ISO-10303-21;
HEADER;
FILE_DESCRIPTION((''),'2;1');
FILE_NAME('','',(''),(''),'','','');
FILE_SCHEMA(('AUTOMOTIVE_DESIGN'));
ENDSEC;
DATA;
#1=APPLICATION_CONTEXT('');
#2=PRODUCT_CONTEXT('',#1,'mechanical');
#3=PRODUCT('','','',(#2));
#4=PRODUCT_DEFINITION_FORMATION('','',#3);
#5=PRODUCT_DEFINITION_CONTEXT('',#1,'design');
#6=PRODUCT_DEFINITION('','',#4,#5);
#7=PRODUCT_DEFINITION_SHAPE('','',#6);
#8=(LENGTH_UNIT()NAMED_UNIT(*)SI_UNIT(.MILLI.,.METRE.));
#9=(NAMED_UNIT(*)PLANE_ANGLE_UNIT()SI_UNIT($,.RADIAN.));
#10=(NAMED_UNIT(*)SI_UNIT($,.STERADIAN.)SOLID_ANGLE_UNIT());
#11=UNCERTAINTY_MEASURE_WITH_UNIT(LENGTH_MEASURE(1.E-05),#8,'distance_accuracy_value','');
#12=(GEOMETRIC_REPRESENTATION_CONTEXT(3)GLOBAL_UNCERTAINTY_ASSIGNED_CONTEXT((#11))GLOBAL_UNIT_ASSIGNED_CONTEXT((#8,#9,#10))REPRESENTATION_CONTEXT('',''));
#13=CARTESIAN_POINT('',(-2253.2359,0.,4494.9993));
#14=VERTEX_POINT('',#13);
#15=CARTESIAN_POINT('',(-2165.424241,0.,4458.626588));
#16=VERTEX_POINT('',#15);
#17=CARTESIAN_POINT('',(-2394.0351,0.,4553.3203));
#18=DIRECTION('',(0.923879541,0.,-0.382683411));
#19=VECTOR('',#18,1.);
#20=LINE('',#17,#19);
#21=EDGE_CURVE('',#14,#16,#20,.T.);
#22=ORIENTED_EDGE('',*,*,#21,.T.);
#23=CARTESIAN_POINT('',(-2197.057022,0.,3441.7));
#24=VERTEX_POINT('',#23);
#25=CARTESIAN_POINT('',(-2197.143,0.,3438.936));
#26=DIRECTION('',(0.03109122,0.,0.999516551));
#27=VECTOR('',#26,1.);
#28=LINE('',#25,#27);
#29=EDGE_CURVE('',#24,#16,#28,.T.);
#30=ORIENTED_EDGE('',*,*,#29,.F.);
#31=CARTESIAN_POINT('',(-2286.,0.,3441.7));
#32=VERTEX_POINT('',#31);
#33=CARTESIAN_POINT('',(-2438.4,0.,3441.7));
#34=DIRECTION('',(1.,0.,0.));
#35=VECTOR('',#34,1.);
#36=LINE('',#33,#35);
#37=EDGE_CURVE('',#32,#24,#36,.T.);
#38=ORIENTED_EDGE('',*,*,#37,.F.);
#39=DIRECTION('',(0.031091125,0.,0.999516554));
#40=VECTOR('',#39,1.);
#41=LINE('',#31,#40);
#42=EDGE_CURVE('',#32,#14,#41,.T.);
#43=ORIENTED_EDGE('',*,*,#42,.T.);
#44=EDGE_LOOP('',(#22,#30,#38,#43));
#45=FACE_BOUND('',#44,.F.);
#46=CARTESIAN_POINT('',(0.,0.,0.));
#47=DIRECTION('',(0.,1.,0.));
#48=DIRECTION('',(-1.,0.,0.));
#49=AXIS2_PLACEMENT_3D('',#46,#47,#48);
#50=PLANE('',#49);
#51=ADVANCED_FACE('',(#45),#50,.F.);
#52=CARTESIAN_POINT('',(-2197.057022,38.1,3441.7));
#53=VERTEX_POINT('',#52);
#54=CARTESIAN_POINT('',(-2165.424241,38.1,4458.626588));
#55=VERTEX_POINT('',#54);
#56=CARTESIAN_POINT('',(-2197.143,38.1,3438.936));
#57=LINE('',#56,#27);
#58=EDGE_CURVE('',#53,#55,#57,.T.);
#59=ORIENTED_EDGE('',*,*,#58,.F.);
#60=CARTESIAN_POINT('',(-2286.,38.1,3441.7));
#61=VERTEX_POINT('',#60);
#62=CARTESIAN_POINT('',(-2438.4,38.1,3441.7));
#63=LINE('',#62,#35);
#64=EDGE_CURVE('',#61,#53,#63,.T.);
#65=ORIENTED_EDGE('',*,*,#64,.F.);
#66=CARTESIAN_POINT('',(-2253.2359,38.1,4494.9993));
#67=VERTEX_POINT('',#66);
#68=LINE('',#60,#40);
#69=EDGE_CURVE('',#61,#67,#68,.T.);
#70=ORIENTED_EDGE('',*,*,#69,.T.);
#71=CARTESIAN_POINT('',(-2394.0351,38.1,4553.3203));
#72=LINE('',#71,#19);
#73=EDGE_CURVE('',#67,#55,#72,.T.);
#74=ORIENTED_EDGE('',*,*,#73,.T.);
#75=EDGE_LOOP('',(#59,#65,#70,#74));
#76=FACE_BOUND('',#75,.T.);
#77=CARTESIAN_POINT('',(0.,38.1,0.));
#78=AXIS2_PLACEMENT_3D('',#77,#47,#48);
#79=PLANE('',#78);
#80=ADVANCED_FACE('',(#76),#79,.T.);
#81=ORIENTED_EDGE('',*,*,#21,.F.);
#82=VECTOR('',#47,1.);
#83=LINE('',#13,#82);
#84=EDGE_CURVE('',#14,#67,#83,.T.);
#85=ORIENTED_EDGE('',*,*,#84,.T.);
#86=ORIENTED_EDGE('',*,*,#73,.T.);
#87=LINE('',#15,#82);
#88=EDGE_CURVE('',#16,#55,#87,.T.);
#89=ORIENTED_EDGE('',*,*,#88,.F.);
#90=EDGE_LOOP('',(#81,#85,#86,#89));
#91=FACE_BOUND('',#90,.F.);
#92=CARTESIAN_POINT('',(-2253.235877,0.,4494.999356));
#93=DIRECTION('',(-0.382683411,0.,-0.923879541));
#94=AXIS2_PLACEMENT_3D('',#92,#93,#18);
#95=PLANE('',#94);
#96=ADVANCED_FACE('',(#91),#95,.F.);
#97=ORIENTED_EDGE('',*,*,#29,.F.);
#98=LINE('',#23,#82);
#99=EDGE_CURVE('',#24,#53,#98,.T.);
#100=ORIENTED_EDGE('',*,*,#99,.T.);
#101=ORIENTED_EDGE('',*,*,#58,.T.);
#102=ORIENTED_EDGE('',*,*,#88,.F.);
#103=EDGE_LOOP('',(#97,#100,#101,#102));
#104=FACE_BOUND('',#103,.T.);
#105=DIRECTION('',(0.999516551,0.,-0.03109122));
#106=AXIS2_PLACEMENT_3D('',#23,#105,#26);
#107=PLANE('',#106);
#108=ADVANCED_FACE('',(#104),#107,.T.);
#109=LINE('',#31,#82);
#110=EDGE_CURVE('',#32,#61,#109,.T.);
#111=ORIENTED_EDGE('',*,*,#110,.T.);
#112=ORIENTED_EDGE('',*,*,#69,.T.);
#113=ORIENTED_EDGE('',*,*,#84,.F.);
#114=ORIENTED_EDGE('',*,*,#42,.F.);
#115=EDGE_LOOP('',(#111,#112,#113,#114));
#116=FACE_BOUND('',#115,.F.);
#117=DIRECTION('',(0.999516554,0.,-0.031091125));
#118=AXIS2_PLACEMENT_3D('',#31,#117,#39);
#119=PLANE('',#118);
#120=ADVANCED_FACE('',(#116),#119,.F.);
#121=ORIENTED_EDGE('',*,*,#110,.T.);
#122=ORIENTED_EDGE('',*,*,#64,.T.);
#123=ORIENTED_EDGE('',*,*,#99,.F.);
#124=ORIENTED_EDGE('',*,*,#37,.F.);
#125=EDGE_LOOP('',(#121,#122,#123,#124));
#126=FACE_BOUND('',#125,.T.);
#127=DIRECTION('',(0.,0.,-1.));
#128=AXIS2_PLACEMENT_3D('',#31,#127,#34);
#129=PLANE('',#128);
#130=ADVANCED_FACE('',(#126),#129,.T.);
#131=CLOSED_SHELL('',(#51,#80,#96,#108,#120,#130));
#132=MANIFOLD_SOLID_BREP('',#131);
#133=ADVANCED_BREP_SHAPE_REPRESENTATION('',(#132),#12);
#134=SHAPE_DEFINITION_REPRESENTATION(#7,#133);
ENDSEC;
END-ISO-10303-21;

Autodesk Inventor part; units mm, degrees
ref_plane "YZ Plane" through (0, 0, 0) normal (1, 0, 0) x (0, 1, 0)
ref_plane "XZ Plane" through (0, 0, 0) normal (0, 1, 0) x (-1, 0, 0)
ref_plane "XY Plane" through (0, 0, 0) normal (0, 0, 1) x (1, 0, 0)
sketch "Sketch1" plane through (0, 0, 0) normal (0, 1, 0) x (-1, 0, 0)
  line L0 (0, 0) -> (0, -1219.2)
  line L1 (0, 0) -> (88.9, 0)
  line L2 (88.9, 0) -> (88.9, -1219.2)
  line L3 (88.9, -1219.2) -> (0, -1219.2)
  line L4 (0, 0) -> (0, 1219.2) construction
  line L5 (0, 1219.2) -> (1219.2, 1219.2) construction
  line L6 (0, 1219.2) -> (0, 3657.6) construction
  line L7 (0, 3657.6) -> (0, 4876.8) construction
  line L8 (0, 4876.8) -> (0, 6096) construction
  line L9 (0, -1219.2) -> (2438.4, -1219.2) construction
  line L10 (0, 6096) -> (2438.4, 6096) construction
  line L11 (2438.4, 6096) -> (2438.4, -1219.2) construction
  line L12 (0, 3657.6) -> (0, 3352.8) construction
  line L13 (0, 3352.8) -> (2438.4, 3352.8) construction
  line L14 (2438.4, 3352.8) -> (1219.2, 3352.8)
  line L15 (1219.2, 3352.8) -> (1219.2, 3263.9)
  line L16 (1219.2, 3263.9) -> (2438.4, 3263.9)
  line L17 (2438.4, 3263.9) -> (2438.4, 3352.8)
  line L18 (0, 6096) -> (862.1046, 6958.1046)
  line L19 (862.1046, 6958.1046) -> (924.9664, 6895.2428)
  line L20 (924.9664, 6895.2428) -> (62.8618, 6033.1382)
  line L21 (62.8618, 6033.1382) -> (0, 6096)
  line L22 (0, 4876.8) -> (1219.2, 4876.8) construction
  line L23 (1219.2, 4876.8) -> (2081.3046, 5738.9046)
  line L24 (1219.2, 1219.2) -> (2081.3046, 357.0954)
  line L25 (2081.3046, 357.0954) -> (2018.4428, 294.2336)
  line L26 (2018.4428, 294.2336) -> (1156.3382, 1156.3382)
  line L27 (1156.3382, 1156.3382) -> (1219.2, 1219.2)
  line L28 (2018.4428, 294.2336) -> (88.9, -1219.2)
  line L29 (2081.3046, 357.0954) -> (2144.1664, 419.9572)
  line L30 (2144.1664, 419.9572) -> (1282.0618, 1282.0618)
  line L31 (1282.0618, 1282.0618) -> (1219.2, 1219.2)
  line L32 (2438.4, 3352.8) -> (2438.4, 3441.7)
  line L33 (2438.4, 3441.7) -> (1219.2, 3441.7)
  line L34 (1219.2, 3441.7) -> (1219.2, 3352.8)
  line L35 (1156.3382, 4939.6618) -> (1282.0618, 4813.9382)
  line L36 (2018.4428, 5801.7664) -> (2144.1664, 5676.0428)
  line L37 (1282.0618, 4813.9382) -> (2144.1664, 5676.0428)
  line L38 (2018.4428, 5801.7664) -> (1156.3382, 4939.6618)
  line L39 (2018.4428, 5801.7664) -> (924.9664, 6895.2428)
  line L40 (62.8618, 6033.1382) -> (1156.3382, 4939.6618)
  line L41 (1233.6206, 4168.8855) -> (1267.6412, 4086.7527)
  line L42 (1263.7078, 2313.9849) -> (1230.0006, 2231.7229)
  arc A0 (862.1046, 6958.1046) -> (0, 6096) centre (431.0523, 6527.0523) ccw
  line L43 (1246.8542, 2272.8539) -> (2375.0183, 1810.583)
  line L44 (2391.8719, 1851.7139) -> (2358.1646, 1769.452)
  line L45 (2391.8719, 1851.7139) -> (1263.7078, 2313.9849)
  line L46 (1230.0006, 2231.7229) -> (2358.1646, 1769.452)
  line L47 (1230.0006, 2231.7229) -> (1219.2, 3263.9)
  line L48 (2144.1664, 419.9572) -> (2391.8719, 1851.7139)
  line L49 (2391.8719, 1851.7139) -> (2438.4, 3263.9)
  line L50 (1219.2, 3441.7) -> (1233.6206, 4168.8855)
  line L51 (1250.6309, 4127.8191) -> (2377.0248, 4594.3867)
  line L52 (2360.0145, 4635.4532) -> (2394.0351, 4553.3203)
  line L53 (2394.0351, 4553.3203) -> (1267.6412, 4086.7527)
  line L54 (2360.0145, 4635.4532) -> (1233.6206, 4168.8855)
  line L55 (2394.0351, 4553.3203) -> (2144.1664, 5676.0428)
  line L56 (2438.4, 3441.7) -> (2394.0351, 4553.3203)
  line L57 (2144.1664, 5676.0428) -> (2057.3895, 5656.7301)
  line L58 (2394.0351, 4553.3203) -> (2305.2058, 4549.7751)
  line L59 (2394.0351, 4553.3203) -> (2307.2582, 4534.0076)
  line L60 (2307.2582, 4534.0076) -> (2057.3895, 5656.7301)
  line L61 (2438.4, 3441.7) -> (2349.5707, 3438.1548)
  line L62 (2349.5707, 3438.1548) -> (2305.2058, 4549.7751)
  line L63 (1219.2, 3441.7) -> (1308.0825, 3439.9374)
  line L64 (1233.6206, 4168.8855) -> (1322.5031, 4167.1229)
  line L65 (1322.5031, 4167.1229) -> (1308.0825, 3439.9374)
  line L66 (2018.4428, 5801.7664) -> (1955.581, 5738.9046)
  line L67 (1955.581, 5738.9046) -> (862.1046, 6832.381)
  line L68 (924.9664, 6895.2428) -> (862.1046, 6832.381)
  line L69 (62.8618, 6033.1382) -> (125.7236, 6096)
  line L70 (62.8618, 6033.1382) -> (125.7236, 6096)
  line L71 (125.7236, 6096) -> (1219.2, 5002.5236)
  line L72 (1156.3382, 1156.3382) -> (0, 0)
  line L73 (0, 0) -> (62.8618, -62.8618)
  line L74 (1156.3382, 1156.3382) -> (1219.2, 1093.4764)
  line L75 (1219.2, 1093.4764) -> (62.8618, -62.8618)
  line L76 (2018.4428, 294.2336) -> (1963.5776, 364.1837)
  line L77 (88.9, -1219.2) -> (34.0348, -1149.2499)
  line L78 (34.0348, -1149.2499) -> (1963.5776, 364.1837)
  line L79 (2144.1664, 419.9572) -> (2056.5677, 435.1125)
  line L80 (2391.8719, 1851.7139) -> (2304.2732, 1866.8692)
  line L81 (2391.8719, 1851.7139) -> (2303.0201, 1854.6414)
  line L82 (2304.2732, 1866.8692) -> (2056.5677, 435.1125)
  line L83 (1230.0006, 2231.7229) -> (1318.8957, 2232.6531)
  line L84 (1219.2, 3263.9) -> (1308.0951, 3264.8302)
  line L85 (1308.0951, 3264.8302) -> (1318.8957, 2232.6531)
  line L86 (2438.4, 3263.9) -> (2349.5482, 3266.8275)
  line L87 (2349.5482, 3266.8275) -> (2303.0201, 1854.6414)
  line L88 (88.9, 0) -> (125.7236, 0)
  line L89 (1233.6206, 4168.8855) -> (1219.2, 4876.8)
  line L90 (1233.6206, 4168.8855) -> (1322.5022, 4170.6961)
  line L91 (1219.2, 4876.8) -> (1308.0816, 4878.6106)
  line L92 (1308.0816, 4878.6106) -> (1322.5022, 4170.6961)
  line L93 (1282.0618, 4813.9382) -> (1309.9674, 4786.0326)
  line L94 (1267.6412, 4086.7527) -> (1318.4756, 3964.0275)
  line L95 (2360.0145, 4635.4532) -> (2374.4273, 4641.4231)
  line L96 (1230.0006, 2231.7229) -> (1219.2, 1219.2)
  line L97 (1230.0006, 2231.7229) -> (1318.8955, 2230.7747)
  line L98 (1219.2, 1219.2) -> (1308.0949, 1218.2518)
  line L99 (1308.0949, 1218.2518) -> (1318.8955, 2230.7747)
  line L100 (1282.0618, 1282.0618) -> (1309.0636, 1309.0636)
  line L101 (1263.7078, 2313.9849) -> (1316.7428, 2438.4)
  line L102 (2358.1646, 1769.452) -> (2376.5379, 1763.082)
  line L103 (2286, 3352.8) -> (1371.6, 3352.8)
  line L104 (2286, 3441.7) -> (2286, 3263.9)
  line L105 (1371.6, 3441.7) -> (1371.6, 3263.9)
  line L106 (0, -152.4) -> (0, -1066.8)
  line L107 (0, -152.4) -> (88.9, -152.4)
  line L108 (0, -1066.8) -> (88.9, -1066.8)
  line L109 (1326.9631, 1111.4369) -> (1973.5415, 464.8585)
  line L110 (2036.4033, 527.7203) -> (1910.6797, 401.9967)
  line L111 (1389.8249, 1174.2987) -> (1264.1013, 1048.5751)
  line L112 (2233.9978, 1868.3668) -> (1387.8747, 2215.07)
  line L113 (1404.7283, 2256.201) -> (1371.0211, 2173.939)
  line L114 (2250.8514, 1909.4978) -> (2217.1441, 1827.2358)
  line L115 (1371.0211, 2173.939) -> (1389.8249, 1174.2987)
  line L116 (1264.1013, 1048.5751) -> (88.9, -152.4)
  line L117 (2217.1441, 1827.2358) -> (2036.4033, 527.7203)
  line L118 (1910.6797, 401.9967) -> (88.9, -1066.8)
  line L119 (88.9, -1066.8) -> (33.1016, -997.592)
  line L120 (1910.6797, 401.9967) -> (1854.8813, 471.2047)
  line L121 (1854.8813, 471.2047) -> (33.1016, -997.592)
  line L122 (88.9, -152.4) -> (0, -243.2497)
  line L123 (0, -243.2497) -> (63.5399, -305.426)
  line L124 (1263.7078, 1048.9686) -> (1327.2477, 986.7923)
  line L125 (1327.2477, 986.7923) -> (88.9, -278.7141)
  line L126 (1389.8249, 1174.2987) -> (1392.2351, 1046.1649)
  line L127 (1392.2351, 1046.1649) -> (1481.1194, 1047.8368)
  line L128 (1371.0211, 2173.939) -> (1459.9053, 2175.611)
  line L129 (1459.9053, 2175.611) -> (1460.6275, 2137.2224)
  line L130 (2036.4033, 527.7203) -> (1948.3509, 539.9669)
  line L131 (2217.1441, 1827.2358) -> (2223.465, 1872.6827)
  line L132 (2223.465, 1872.6827) -> (2135.4126, 1884.9293)
  line L133 (2135.4126, 1884.9293) -> (2132.2278, 1862.0307)
  line L134 (88.9, -278.7141) -> (63.1422, -305.0368)
  line L135 (2132.2278, 1862.0307) -> (1948.3509, 539.9669)
  line L136 (1480.4452, 1083.6784) -> (1481.1194, 1047.8368)
  line L137 (1460.6275, 2137.2224) -> (1480.4452, 1083.6784)
  line L138 (1973.5415, 5631.1415) -> (1326.9631, 4984.5631)
  line L139 (1264.1013, 5047.4249) -> (1389.8249, 4921.7013)
  line L140 (1910.6797, 5694.0033) -> (2036.4033, 5568.2797)
  line L141 (1404.7283, 2256.201) -> (1371.6, 3263.9)
  line L142 (2250.8514, 1909.4978) -> (2286, 3263.9)
  line L143 (2236.2256, 4536.0658) -> (1391.4301, 4186.1401)
  line L144 (1374.4199, 4227.2065) -> (1408.4404, 4145.0736)
  line L145 (2219.2153, 4577.1322) -> (2253.2359, 4494.9993)
  line L146 (2286, 3441.7) -> (2253.2359, 4494.9993)
  line L147 (2219.2153, 4577.1322) -> (2036.4033, 5568.2797)
  line L148 (1374.4199, 4227.2065) -> (1389.8249, 4921.7013)
  line L149 (2036.4033, 5568.2797) -> (1948.978, 5552.1546)
  line L150 (2219.2153, 4577.1322) -> (2227.4595, 4532.4348)
  line L151 (2227.4595, 4532.4348) -> (2140.0342, 4516.3096)
  line L152 (1948.978, 5552.1546) -> (2140.0342, 4516.3096)
  line L153 (1374.4199, 4227.2065) -> (1463.298, 4225.235)
  line L154 (1389.8249, 4921.7013) -> (1392.6769, 5050.2769)
  line L155 (1392.6769, 5050.2769) -> (1481.555, 5048.3054)
  line L156 (1463.298, 4225.235) -> (1481.555, 5048.3054)
  line L157 (2253.2359, 4494.9993) -> (2164.3788, 4492.2353)
  line L158 (2286, 3441.7) -> (2197.143, 3438.936)
  line L159 (2197.143, 3438.936) -> (2164.3788, 4492.2353)
  line L160 (1408.4404, 4145.0736) -> (1371.6, 3441.7)
  line L161 (2286, 3263.9) -> (2197.1299, 3266.2063)
  line L162 (2250.8514, 1909.4978) -> (2161.9813, 1911.8041)
  line L163 (2161.9813, 1911.8041) -> (2197.1299, 3266.2063)
  line L164 (1408.4404, 4145.0736) -> (1411.0163, 4194.2529)
  line L165 (1411.0163, 4194.2529) -> (1499.7946, 4189.603)
  line L166 (1371.6, 3441.7) -> (1460.3783, 3437.0501)
  line L167 (1460.3783, 3437.0501) -> (1499.7946, 4189.603)
  line L168 (1371.6, 3263.9) -> (1460.452, 3266.821)
  line L169 (1404.7283, 2256.201) -> (1406.3291, 2207.5082)
  line L170 (1406.3291, 2207.5082) -> (1495.1811, 2210.4293)
  line L171 (1495.1811, 2210.4293) -> (1494.8909, 2219.2564)
  line L172 (1494.8909, 2219.2564) -> (1460.548, 3263.9)
  line L173 (1460.548, 3263.9) -> (1460.452, 3266.821)
  point P0 (1955.1236, 357.5528)
  point P1 (88.9, -1106.2164)
  point P2 (2292.1025, 1796.5213)
  point P3 (2067.2525, 496.8711)
  point P4 (1318.5187, 2195.4522)
  point P5 (1308.1049, 3263.9)
  point P6 (2349.4518, 3263.9)
  point P7 (2304.1085, 1887.6754)
  point P8 (2306.5112, 4517.0667)
  point P9 (2349.4292, 3441.7)
  point P10 (1308.1175, 3441.7)
  point P11 (2069.6708, 5601.5472)
  point P12 (2291.0394, 4606.8827)
  point P13 (1321.7951, 4205.4086)
  point P14 (1828.8, 3352.8)
  point P15 (0, -609.6)
  point P16 (1650.2523, 788.1477)
  point P17 (1810.9362, 2041.7184)
  point P18 (88.9, -278.7141)
  point P19 (1326.5733, 986.1031)
  point P20 (1957.6068, 606.5167)
  point P21 (1957.6068, 606.5167)
  point P22 (1480.4452, 1083.6784)
  point P23 (1650.2523, 5307.8523)
  point P24 (1813.8279, 4361.1029)
  point P25 (2197.0701, 3263.9)
  point P26 (2162.8572, 1945.5539)
  point P27 (2165.4243, 4458.6266)
  point P28 (2197.057, 3441.7)
  dimension "d0" = 1219.2
  dimension "d2" = 1219.2
  dimension "d3" = 1219.2
  dimension "d16" = 2438.4
  dimension "d17" = 1219.2
  dimension "d18" = 1219.2
  dimension "d20" = 2438.4
  dimension "d21" = 304.8
  dimension "d22" = 1219.2
  dimension "d23" = 88.9
  dimension "d24" = 1219.2
  dimension "d25" = 45
  dimension "d26" = 88.9
  dimension "d27" = 1219.2
  dimension "d28" = 1219.2
  dimension "d29" = 1219.2
  dimension "d31" = 1219.2
  dimension "d32" = 88.9
  dimension "d33" = 88.9
  dimension "d34" = 88.9
  dimension "d35" = 177.8
  dimension "d36" = 177.8
  dimension "d38" = 88.9
  dimension "d39" = 88.9
  dimension "d43" = 1219.2
  dimension "d44" = 88.9
  dimension "d45" = 1219.2
  dimension "d46" = 88.9
  dimension "d47" = 88.9
  dimension "d48" = 88.9
  dimension "d49" = 88.9
  dimension "d50" = 88.9
  dimension "d51" = 88.9
  dimension "d54" = 88.9
  dimension "d55" = 88.9
  dimension "d57" = 88.9
  dimension "d58" = 88.9
  dimension "d59" = 88.9
  dimension "d60" = 88.9
  dimension "d61" = 88.9
  dimension "d64" = 88.9
  dimension "d65" = 88.9
  dimension "d66" = 88.9
  dimension "d69" = 88.9
  dimension "d70" = 88.9
  dimension "d71" = 88.9
  dimension "d72" = 88.9
  dimension "d73" = 914.4
  dimension "d74" = 914.4
  dimension "d75" = 914.4
  dimension "d76" = 914.4
  dimension "d77" = 88.9
  dimension "d78" = 88.9
  dimension "d79" = 88.9
  dimension "d80" = 88.9
  dimension "d83" = 88.9
  dimension "d84" = 88.9
  dimension "d85" = 88.9
  dimension "d86" = 88.9
  dimension "d89" = 914.4
  dimension "d90" = 914.4
  dimension "d91" = 88.9
  dimension "d92" = 88.9
  dimension "d93" = 88.9
extrude "Extrusion3" add sketch "Sketch1" along normal blind 38.1 contours L33 L159 L53 L146
properties part number "S_2x4x41.489"
